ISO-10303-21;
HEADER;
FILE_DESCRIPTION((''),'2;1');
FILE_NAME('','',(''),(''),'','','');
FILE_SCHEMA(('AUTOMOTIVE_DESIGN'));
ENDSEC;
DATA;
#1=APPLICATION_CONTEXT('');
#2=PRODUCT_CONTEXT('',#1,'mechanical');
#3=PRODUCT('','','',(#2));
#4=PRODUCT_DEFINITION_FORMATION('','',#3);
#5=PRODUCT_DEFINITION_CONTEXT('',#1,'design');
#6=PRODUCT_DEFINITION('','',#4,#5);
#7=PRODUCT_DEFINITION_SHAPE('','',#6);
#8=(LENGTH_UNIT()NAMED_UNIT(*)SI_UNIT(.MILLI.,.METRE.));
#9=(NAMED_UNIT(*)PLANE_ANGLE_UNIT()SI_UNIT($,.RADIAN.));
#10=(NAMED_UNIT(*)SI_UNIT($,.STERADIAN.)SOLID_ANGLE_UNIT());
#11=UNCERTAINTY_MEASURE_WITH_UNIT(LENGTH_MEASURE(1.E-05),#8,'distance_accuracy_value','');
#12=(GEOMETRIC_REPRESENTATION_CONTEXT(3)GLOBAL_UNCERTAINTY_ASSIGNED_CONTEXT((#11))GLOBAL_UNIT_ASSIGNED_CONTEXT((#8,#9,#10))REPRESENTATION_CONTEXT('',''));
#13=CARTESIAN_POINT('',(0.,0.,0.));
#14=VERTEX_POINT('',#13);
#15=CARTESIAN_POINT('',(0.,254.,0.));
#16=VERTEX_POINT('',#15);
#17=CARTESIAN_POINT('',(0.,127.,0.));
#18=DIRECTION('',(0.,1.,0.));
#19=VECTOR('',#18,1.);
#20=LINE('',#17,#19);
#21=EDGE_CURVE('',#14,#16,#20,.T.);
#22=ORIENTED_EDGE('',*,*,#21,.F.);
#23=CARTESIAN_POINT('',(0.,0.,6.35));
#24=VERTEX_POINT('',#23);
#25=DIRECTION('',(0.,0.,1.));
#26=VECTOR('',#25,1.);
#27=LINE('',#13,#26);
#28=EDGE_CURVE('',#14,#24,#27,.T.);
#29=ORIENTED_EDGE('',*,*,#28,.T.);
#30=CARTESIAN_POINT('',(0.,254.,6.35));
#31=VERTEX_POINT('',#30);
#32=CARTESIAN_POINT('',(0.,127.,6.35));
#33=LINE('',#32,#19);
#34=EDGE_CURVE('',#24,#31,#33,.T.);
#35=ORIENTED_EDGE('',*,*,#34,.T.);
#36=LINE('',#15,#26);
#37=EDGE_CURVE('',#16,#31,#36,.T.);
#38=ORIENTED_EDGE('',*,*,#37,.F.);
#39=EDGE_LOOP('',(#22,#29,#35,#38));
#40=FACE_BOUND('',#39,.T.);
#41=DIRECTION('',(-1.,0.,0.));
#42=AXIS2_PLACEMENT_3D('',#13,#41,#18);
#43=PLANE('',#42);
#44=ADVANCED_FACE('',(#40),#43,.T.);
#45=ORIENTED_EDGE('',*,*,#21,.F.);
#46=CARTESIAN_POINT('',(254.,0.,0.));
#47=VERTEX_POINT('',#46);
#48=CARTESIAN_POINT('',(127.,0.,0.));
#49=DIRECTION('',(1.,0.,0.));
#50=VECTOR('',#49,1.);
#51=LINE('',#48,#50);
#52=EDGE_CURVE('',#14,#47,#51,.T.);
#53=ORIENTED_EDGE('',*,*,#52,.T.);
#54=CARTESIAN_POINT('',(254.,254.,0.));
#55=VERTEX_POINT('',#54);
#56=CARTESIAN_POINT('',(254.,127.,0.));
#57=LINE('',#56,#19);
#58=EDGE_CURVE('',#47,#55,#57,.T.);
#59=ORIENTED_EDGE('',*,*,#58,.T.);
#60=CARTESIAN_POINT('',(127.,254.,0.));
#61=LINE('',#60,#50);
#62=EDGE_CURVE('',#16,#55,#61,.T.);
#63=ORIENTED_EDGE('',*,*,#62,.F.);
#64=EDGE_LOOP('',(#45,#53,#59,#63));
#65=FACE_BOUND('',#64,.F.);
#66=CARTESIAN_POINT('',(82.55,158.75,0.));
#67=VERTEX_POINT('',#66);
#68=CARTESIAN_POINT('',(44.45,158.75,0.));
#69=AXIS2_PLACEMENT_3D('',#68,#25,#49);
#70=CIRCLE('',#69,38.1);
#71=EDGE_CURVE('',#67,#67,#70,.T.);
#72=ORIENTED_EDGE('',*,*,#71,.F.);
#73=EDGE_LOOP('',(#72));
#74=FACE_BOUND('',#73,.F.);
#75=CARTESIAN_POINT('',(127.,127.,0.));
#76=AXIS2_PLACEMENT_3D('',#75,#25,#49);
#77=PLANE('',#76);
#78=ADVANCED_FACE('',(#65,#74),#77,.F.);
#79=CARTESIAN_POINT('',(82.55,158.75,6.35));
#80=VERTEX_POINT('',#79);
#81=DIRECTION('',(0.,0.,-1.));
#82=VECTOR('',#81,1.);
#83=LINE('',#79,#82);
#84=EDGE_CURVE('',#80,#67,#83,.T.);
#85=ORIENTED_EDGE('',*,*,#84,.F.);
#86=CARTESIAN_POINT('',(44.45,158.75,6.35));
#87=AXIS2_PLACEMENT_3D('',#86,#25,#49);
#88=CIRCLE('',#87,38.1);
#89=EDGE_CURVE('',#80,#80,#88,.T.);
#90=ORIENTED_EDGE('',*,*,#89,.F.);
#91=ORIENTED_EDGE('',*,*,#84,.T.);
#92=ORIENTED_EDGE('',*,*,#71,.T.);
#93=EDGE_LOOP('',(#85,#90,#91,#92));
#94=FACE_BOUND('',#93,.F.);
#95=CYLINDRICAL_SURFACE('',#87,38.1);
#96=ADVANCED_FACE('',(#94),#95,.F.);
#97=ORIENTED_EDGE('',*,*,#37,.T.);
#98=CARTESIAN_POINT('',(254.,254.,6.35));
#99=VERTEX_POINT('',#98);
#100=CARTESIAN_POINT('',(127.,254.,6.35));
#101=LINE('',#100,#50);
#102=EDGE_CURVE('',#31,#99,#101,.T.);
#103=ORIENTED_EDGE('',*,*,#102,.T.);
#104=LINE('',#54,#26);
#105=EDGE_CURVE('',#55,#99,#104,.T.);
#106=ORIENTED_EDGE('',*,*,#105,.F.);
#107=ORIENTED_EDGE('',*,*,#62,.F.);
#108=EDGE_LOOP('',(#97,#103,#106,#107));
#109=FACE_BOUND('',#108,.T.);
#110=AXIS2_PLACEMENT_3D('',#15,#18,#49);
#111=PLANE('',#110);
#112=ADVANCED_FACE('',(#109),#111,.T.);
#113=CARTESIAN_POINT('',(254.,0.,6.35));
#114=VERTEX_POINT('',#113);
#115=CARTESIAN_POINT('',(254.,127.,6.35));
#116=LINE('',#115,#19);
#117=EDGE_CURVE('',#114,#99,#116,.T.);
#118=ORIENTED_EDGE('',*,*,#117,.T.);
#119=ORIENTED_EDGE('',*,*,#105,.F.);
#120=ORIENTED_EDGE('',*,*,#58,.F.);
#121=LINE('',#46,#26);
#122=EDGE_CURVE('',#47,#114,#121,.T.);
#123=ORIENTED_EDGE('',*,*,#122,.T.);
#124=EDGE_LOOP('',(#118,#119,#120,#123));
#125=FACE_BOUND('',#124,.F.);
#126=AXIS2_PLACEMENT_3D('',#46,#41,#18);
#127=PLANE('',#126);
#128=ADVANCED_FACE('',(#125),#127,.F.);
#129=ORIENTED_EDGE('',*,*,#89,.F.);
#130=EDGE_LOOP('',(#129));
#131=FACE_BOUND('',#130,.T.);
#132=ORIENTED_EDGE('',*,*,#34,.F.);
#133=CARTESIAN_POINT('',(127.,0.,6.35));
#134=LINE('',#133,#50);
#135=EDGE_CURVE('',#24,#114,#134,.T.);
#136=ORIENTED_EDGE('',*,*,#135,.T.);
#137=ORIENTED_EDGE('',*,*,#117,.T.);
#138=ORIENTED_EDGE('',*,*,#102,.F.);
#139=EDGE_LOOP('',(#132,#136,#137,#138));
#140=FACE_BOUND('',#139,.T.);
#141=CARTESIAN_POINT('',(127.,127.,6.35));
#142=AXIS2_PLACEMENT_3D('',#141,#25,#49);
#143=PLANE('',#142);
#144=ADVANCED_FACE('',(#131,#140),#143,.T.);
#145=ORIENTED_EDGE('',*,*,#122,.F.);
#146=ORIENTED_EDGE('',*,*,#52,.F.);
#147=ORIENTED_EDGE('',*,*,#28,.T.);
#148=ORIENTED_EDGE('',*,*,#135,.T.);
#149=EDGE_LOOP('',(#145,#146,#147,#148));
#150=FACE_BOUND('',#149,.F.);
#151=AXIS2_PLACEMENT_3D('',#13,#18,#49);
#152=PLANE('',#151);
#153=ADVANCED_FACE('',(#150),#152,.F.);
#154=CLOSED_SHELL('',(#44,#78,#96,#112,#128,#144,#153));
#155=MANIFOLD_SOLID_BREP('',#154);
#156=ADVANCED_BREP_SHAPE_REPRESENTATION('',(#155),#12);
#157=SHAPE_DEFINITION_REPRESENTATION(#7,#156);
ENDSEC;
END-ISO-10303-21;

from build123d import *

# Parameters (mm, degrees)
SKETCH1_W           = 254
SKETCH1_H           = 254
BOSS_EXTRUDE1_DEPTH = 6.35
SKETCH2_R           = 38.1
CUT_EXTRUDE1_DEPTH  = 7.35


with BuildPart() as part:
    # Sketch1 → Boss-Extrude1 (new body)
    with BuildSketch(Plane.XY):
        with Locations((127, 127)):
            Rectangle(SKETCH1_W, SKETCH1_H)
    extrude(amount=BOSS_EXTRUDE1_DEPTH)

    # Sketch2 → Cut-Extrude1 (cut, through all)
    with BuildSketch(Plane.XY.offset(6.35)):
        with Locations((44.45, 158.75)):
            Circle(SKETCH2_R)
    extrude(amount=-CUT_EXTRUDE1_DEPTH, mode=Mode.SUBTRACT)


solid = part.part
